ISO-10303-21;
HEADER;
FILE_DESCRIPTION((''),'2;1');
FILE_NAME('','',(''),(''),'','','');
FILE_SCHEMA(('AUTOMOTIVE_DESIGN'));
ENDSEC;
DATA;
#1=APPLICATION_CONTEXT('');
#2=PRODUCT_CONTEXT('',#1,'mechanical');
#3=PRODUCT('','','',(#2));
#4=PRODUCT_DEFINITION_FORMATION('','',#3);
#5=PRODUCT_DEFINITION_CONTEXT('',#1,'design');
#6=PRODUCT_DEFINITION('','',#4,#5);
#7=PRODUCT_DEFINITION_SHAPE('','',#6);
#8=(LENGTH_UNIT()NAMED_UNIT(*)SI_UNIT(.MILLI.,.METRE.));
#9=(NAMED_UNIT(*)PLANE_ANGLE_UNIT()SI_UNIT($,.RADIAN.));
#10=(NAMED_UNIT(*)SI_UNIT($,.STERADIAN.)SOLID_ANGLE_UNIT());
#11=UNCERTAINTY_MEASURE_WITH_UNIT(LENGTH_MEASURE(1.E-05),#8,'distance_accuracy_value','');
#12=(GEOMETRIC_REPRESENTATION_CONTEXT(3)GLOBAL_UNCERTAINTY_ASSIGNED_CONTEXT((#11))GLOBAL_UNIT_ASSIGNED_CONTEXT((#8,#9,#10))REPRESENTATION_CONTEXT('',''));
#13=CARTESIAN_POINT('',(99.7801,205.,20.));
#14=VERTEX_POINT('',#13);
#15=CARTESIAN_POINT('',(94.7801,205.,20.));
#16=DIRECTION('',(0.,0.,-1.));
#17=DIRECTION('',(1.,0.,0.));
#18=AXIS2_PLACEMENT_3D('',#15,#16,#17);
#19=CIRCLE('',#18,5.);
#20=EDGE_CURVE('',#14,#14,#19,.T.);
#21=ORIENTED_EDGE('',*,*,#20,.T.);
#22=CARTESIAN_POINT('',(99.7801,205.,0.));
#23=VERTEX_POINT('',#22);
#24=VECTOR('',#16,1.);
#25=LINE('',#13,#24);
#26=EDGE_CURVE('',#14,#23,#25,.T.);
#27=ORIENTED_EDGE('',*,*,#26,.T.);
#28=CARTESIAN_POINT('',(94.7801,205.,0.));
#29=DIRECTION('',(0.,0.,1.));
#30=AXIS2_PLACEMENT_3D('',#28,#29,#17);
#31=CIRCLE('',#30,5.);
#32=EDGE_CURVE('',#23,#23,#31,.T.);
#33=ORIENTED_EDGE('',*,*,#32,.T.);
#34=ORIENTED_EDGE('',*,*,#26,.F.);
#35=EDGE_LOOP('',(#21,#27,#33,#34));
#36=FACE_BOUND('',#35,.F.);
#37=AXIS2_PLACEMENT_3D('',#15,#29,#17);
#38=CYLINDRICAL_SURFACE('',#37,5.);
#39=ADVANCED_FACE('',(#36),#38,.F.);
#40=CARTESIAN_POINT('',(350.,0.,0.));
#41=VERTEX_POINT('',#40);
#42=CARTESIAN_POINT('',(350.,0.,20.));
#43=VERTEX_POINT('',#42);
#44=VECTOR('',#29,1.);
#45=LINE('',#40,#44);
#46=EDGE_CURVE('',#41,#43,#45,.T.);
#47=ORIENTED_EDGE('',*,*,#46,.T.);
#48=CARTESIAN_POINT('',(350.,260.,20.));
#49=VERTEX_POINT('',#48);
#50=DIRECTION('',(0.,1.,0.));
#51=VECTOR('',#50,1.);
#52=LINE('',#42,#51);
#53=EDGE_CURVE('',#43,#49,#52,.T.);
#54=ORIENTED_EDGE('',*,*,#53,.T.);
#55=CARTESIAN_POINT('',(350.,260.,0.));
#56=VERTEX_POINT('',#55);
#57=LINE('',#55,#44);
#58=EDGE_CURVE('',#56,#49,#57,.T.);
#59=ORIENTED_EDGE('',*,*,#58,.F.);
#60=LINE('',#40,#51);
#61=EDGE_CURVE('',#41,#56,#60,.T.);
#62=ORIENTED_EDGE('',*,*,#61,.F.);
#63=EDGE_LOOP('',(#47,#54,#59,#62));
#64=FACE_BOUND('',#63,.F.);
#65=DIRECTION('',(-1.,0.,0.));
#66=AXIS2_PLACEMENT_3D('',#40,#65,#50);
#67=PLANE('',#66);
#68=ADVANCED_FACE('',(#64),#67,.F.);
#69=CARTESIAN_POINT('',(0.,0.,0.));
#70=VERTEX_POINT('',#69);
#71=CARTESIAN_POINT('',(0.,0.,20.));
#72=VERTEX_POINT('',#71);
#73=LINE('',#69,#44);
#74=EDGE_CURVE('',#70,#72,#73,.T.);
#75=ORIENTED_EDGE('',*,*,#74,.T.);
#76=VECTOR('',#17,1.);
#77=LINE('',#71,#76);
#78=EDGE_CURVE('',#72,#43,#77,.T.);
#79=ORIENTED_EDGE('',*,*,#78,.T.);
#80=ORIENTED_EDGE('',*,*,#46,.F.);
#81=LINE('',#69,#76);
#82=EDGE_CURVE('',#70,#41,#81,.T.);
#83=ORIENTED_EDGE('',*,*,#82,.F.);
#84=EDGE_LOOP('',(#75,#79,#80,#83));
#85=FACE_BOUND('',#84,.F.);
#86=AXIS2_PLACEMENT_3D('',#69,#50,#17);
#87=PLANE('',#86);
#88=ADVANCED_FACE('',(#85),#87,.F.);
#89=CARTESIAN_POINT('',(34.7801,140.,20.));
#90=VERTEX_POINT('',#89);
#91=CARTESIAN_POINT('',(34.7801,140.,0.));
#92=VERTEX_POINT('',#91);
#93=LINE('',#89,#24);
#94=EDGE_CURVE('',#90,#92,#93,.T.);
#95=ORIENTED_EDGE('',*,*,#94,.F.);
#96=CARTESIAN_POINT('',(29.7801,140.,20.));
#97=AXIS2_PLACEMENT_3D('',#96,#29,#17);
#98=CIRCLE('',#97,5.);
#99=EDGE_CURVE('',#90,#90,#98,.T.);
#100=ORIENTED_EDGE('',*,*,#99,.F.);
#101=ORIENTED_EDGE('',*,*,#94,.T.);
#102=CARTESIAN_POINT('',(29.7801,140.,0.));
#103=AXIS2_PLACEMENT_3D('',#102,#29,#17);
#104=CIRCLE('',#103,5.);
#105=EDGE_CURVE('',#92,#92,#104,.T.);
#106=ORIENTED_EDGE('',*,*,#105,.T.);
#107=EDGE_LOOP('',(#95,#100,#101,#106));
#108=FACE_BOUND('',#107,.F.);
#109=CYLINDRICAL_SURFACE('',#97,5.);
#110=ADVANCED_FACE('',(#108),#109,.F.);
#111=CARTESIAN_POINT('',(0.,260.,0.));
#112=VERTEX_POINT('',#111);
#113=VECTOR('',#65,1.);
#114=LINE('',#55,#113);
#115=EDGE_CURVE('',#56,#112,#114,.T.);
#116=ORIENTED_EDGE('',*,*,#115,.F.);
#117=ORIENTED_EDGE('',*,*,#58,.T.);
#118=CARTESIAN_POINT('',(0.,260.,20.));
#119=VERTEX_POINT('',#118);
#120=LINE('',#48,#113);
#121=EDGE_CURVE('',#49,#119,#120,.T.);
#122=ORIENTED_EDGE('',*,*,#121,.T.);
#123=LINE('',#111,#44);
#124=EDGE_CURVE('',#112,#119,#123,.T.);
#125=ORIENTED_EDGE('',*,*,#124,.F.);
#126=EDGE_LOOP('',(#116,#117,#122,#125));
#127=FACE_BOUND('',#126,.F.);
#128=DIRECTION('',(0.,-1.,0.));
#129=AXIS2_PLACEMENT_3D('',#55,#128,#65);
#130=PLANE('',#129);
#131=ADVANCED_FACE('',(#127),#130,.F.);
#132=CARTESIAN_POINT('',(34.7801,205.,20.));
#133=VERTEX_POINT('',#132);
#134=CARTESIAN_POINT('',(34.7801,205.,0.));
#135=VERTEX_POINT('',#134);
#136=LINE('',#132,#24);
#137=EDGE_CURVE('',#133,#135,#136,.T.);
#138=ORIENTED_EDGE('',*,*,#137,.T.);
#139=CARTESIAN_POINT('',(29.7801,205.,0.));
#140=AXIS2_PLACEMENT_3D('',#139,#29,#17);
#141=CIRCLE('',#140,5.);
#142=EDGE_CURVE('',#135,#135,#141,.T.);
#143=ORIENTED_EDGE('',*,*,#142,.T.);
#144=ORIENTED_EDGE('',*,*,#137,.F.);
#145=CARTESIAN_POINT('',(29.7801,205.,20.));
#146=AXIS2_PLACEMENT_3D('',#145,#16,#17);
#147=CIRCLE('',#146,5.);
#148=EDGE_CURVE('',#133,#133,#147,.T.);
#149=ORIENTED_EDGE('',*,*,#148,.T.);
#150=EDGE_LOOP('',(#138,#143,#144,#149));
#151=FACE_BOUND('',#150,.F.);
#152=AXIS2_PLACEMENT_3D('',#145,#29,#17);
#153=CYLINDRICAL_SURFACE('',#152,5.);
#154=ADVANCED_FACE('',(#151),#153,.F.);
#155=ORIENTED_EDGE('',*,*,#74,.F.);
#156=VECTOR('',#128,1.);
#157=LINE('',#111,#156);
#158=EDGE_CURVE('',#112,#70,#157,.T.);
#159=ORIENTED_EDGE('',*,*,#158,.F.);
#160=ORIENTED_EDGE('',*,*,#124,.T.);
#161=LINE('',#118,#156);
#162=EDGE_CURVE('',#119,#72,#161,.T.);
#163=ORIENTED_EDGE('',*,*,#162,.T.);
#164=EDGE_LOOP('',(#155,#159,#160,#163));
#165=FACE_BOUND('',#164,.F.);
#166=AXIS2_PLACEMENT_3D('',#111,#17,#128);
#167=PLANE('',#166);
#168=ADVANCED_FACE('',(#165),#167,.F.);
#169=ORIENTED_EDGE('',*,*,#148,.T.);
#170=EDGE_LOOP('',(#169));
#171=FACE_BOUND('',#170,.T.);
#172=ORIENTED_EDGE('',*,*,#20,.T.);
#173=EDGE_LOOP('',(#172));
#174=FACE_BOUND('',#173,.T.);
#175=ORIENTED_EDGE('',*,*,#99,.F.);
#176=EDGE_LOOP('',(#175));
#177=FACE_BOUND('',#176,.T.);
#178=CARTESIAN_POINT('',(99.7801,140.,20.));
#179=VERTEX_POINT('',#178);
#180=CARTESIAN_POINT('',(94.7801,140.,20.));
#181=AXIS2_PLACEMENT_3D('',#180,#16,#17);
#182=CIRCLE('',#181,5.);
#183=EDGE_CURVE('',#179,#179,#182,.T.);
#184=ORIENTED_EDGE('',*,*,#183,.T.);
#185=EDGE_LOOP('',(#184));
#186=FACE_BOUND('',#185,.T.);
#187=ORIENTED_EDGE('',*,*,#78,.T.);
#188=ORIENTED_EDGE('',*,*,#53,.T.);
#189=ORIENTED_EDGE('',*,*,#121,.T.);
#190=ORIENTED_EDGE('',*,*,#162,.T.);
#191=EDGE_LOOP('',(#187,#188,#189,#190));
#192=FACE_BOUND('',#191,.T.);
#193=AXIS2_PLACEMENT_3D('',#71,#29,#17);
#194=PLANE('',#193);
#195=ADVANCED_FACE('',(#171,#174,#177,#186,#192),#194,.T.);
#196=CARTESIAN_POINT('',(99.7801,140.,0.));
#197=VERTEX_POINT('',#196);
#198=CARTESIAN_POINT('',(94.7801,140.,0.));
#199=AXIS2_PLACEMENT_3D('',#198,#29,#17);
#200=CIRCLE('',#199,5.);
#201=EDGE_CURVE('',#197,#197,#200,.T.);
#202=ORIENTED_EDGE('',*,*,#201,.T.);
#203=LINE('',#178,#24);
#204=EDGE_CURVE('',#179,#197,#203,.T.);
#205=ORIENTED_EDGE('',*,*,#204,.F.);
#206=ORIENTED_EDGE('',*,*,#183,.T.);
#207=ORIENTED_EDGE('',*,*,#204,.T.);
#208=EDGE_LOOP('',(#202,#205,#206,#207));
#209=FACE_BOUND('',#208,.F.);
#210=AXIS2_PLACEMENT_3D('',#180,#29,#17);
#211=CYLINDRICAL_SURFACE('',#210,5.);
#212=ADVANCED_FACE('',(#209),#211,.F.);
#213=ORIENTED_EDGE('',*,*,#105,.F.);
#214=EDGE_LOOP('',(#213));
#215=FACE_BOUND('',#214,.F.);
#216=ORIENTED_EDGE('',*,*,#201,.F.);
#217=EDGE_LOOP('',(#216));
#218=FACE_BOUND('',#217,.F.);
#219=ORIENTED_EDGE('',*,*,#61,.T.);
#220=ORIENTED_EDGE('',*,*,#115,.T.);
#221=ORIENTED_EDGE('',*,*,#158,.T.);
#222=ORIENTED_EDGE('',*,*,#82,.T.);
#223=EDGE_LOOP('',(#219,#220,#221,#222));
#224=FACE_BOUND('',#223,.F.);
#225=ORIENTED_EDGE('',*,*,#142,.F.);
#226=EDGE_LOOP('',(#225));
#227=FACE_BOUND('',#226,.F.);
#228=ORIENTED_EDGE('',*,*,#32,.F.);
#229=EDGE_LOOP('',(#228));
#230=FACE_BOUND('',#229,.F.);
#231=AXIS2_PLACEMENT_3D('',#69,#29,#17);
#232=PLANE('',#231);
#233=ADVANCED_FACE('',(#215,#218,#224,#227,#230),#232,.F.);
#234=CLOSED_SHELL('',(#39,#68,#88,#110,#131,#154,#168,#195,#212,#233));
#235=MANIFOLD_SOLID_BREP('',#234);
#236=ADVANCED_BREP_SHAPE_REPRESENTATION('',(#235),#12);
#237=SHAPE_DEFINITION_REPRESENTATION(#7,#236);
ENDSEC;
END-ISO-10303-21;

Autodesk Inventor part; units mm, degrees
ref_plane "YZ Plane" through (0, 0, 0) normal (1, 0, 0) x (0, 1, 0)
ref_plane "XZ Plane" through (0, 0, 0) normal (0, 1, 0) x (-1, 0, 0)
ref_plane "XY Plane" through (0, 0, 0) normal (0, 0, 1) x (1, 0, 0)
sketch "Sketch1" plane through (0, 0, 0) normal (0, 0, 1) x (1, 0, 0)
  line L0 (0, 0) -> (350, 0)
  line L1 (350, 0) -> (350, 260)
  line L2 (350, 260) -> (0, 260)
  line L3 (0, 260) -> (0, 0)
  dimension "d0" = 350
  dimension "d1" = 260
extrude "Extrusion1" add sketch "Sketch1" along normal blind 20
sketch "Sketch2" plane through (0, 0, 20) normal (0, 0, 1) x (1, 0, 0)
  line L0 (0, 0) -> (30, 0)
  line L1 (0, 0) -> (350, 0) projected
  line L2 (30, 0) -> (30, 260)
  dimension "d4" = 30
sketch "Sketch3" plane through (0, 0, 20) normal (0, 0, 1) x (1, 0, 0)
  line L0 (0, 0) -> (0, 55)
  line L1 (0, 260) -> (0, 0) projected
  line L2 (0, 55) -> (31, 55)
  line L3 (0, 260) -> (0, 210)
  dimension "d5" = 55
sketch "Sketch4" plane through (0, 0, 20) normal (0, 0, 1) x (1, 0, 0)
  line L0 (350, 260) -> (0, 260) projected
  line L1 (0, 260) -> (0, 205)
  line L2 (0, 260) -> (0, 0) projected
  line L3 (0, 205) -> (29.7801, 205)
  line L4 (29.7801, 205) -> (94.7801, 205)
  line L5 (94.7801, 205) -> (94.7801, 140)
  line L6 (94.7801, 140) -> (29.7801, 140)
  circle A0 centre (29.7801, 205) radius 5
  circle A1 centre (29.7801, 140) radius 5
  circle A2 centre (94.7801, 140) radius 5
  circle A3 centre (94.7801, 205) radius 5
  dimension "d6" = 55
  dimension "d7" = 65
  dimension "d8" = 65
  dimension "d9" = 10
  dimension "d10" = 10
  dimension "d11" = 10
  dimension "d12" = 10
extrude "Extrusion2" cut sketch "Sketch4" against normal through all
properties part number "base1"
